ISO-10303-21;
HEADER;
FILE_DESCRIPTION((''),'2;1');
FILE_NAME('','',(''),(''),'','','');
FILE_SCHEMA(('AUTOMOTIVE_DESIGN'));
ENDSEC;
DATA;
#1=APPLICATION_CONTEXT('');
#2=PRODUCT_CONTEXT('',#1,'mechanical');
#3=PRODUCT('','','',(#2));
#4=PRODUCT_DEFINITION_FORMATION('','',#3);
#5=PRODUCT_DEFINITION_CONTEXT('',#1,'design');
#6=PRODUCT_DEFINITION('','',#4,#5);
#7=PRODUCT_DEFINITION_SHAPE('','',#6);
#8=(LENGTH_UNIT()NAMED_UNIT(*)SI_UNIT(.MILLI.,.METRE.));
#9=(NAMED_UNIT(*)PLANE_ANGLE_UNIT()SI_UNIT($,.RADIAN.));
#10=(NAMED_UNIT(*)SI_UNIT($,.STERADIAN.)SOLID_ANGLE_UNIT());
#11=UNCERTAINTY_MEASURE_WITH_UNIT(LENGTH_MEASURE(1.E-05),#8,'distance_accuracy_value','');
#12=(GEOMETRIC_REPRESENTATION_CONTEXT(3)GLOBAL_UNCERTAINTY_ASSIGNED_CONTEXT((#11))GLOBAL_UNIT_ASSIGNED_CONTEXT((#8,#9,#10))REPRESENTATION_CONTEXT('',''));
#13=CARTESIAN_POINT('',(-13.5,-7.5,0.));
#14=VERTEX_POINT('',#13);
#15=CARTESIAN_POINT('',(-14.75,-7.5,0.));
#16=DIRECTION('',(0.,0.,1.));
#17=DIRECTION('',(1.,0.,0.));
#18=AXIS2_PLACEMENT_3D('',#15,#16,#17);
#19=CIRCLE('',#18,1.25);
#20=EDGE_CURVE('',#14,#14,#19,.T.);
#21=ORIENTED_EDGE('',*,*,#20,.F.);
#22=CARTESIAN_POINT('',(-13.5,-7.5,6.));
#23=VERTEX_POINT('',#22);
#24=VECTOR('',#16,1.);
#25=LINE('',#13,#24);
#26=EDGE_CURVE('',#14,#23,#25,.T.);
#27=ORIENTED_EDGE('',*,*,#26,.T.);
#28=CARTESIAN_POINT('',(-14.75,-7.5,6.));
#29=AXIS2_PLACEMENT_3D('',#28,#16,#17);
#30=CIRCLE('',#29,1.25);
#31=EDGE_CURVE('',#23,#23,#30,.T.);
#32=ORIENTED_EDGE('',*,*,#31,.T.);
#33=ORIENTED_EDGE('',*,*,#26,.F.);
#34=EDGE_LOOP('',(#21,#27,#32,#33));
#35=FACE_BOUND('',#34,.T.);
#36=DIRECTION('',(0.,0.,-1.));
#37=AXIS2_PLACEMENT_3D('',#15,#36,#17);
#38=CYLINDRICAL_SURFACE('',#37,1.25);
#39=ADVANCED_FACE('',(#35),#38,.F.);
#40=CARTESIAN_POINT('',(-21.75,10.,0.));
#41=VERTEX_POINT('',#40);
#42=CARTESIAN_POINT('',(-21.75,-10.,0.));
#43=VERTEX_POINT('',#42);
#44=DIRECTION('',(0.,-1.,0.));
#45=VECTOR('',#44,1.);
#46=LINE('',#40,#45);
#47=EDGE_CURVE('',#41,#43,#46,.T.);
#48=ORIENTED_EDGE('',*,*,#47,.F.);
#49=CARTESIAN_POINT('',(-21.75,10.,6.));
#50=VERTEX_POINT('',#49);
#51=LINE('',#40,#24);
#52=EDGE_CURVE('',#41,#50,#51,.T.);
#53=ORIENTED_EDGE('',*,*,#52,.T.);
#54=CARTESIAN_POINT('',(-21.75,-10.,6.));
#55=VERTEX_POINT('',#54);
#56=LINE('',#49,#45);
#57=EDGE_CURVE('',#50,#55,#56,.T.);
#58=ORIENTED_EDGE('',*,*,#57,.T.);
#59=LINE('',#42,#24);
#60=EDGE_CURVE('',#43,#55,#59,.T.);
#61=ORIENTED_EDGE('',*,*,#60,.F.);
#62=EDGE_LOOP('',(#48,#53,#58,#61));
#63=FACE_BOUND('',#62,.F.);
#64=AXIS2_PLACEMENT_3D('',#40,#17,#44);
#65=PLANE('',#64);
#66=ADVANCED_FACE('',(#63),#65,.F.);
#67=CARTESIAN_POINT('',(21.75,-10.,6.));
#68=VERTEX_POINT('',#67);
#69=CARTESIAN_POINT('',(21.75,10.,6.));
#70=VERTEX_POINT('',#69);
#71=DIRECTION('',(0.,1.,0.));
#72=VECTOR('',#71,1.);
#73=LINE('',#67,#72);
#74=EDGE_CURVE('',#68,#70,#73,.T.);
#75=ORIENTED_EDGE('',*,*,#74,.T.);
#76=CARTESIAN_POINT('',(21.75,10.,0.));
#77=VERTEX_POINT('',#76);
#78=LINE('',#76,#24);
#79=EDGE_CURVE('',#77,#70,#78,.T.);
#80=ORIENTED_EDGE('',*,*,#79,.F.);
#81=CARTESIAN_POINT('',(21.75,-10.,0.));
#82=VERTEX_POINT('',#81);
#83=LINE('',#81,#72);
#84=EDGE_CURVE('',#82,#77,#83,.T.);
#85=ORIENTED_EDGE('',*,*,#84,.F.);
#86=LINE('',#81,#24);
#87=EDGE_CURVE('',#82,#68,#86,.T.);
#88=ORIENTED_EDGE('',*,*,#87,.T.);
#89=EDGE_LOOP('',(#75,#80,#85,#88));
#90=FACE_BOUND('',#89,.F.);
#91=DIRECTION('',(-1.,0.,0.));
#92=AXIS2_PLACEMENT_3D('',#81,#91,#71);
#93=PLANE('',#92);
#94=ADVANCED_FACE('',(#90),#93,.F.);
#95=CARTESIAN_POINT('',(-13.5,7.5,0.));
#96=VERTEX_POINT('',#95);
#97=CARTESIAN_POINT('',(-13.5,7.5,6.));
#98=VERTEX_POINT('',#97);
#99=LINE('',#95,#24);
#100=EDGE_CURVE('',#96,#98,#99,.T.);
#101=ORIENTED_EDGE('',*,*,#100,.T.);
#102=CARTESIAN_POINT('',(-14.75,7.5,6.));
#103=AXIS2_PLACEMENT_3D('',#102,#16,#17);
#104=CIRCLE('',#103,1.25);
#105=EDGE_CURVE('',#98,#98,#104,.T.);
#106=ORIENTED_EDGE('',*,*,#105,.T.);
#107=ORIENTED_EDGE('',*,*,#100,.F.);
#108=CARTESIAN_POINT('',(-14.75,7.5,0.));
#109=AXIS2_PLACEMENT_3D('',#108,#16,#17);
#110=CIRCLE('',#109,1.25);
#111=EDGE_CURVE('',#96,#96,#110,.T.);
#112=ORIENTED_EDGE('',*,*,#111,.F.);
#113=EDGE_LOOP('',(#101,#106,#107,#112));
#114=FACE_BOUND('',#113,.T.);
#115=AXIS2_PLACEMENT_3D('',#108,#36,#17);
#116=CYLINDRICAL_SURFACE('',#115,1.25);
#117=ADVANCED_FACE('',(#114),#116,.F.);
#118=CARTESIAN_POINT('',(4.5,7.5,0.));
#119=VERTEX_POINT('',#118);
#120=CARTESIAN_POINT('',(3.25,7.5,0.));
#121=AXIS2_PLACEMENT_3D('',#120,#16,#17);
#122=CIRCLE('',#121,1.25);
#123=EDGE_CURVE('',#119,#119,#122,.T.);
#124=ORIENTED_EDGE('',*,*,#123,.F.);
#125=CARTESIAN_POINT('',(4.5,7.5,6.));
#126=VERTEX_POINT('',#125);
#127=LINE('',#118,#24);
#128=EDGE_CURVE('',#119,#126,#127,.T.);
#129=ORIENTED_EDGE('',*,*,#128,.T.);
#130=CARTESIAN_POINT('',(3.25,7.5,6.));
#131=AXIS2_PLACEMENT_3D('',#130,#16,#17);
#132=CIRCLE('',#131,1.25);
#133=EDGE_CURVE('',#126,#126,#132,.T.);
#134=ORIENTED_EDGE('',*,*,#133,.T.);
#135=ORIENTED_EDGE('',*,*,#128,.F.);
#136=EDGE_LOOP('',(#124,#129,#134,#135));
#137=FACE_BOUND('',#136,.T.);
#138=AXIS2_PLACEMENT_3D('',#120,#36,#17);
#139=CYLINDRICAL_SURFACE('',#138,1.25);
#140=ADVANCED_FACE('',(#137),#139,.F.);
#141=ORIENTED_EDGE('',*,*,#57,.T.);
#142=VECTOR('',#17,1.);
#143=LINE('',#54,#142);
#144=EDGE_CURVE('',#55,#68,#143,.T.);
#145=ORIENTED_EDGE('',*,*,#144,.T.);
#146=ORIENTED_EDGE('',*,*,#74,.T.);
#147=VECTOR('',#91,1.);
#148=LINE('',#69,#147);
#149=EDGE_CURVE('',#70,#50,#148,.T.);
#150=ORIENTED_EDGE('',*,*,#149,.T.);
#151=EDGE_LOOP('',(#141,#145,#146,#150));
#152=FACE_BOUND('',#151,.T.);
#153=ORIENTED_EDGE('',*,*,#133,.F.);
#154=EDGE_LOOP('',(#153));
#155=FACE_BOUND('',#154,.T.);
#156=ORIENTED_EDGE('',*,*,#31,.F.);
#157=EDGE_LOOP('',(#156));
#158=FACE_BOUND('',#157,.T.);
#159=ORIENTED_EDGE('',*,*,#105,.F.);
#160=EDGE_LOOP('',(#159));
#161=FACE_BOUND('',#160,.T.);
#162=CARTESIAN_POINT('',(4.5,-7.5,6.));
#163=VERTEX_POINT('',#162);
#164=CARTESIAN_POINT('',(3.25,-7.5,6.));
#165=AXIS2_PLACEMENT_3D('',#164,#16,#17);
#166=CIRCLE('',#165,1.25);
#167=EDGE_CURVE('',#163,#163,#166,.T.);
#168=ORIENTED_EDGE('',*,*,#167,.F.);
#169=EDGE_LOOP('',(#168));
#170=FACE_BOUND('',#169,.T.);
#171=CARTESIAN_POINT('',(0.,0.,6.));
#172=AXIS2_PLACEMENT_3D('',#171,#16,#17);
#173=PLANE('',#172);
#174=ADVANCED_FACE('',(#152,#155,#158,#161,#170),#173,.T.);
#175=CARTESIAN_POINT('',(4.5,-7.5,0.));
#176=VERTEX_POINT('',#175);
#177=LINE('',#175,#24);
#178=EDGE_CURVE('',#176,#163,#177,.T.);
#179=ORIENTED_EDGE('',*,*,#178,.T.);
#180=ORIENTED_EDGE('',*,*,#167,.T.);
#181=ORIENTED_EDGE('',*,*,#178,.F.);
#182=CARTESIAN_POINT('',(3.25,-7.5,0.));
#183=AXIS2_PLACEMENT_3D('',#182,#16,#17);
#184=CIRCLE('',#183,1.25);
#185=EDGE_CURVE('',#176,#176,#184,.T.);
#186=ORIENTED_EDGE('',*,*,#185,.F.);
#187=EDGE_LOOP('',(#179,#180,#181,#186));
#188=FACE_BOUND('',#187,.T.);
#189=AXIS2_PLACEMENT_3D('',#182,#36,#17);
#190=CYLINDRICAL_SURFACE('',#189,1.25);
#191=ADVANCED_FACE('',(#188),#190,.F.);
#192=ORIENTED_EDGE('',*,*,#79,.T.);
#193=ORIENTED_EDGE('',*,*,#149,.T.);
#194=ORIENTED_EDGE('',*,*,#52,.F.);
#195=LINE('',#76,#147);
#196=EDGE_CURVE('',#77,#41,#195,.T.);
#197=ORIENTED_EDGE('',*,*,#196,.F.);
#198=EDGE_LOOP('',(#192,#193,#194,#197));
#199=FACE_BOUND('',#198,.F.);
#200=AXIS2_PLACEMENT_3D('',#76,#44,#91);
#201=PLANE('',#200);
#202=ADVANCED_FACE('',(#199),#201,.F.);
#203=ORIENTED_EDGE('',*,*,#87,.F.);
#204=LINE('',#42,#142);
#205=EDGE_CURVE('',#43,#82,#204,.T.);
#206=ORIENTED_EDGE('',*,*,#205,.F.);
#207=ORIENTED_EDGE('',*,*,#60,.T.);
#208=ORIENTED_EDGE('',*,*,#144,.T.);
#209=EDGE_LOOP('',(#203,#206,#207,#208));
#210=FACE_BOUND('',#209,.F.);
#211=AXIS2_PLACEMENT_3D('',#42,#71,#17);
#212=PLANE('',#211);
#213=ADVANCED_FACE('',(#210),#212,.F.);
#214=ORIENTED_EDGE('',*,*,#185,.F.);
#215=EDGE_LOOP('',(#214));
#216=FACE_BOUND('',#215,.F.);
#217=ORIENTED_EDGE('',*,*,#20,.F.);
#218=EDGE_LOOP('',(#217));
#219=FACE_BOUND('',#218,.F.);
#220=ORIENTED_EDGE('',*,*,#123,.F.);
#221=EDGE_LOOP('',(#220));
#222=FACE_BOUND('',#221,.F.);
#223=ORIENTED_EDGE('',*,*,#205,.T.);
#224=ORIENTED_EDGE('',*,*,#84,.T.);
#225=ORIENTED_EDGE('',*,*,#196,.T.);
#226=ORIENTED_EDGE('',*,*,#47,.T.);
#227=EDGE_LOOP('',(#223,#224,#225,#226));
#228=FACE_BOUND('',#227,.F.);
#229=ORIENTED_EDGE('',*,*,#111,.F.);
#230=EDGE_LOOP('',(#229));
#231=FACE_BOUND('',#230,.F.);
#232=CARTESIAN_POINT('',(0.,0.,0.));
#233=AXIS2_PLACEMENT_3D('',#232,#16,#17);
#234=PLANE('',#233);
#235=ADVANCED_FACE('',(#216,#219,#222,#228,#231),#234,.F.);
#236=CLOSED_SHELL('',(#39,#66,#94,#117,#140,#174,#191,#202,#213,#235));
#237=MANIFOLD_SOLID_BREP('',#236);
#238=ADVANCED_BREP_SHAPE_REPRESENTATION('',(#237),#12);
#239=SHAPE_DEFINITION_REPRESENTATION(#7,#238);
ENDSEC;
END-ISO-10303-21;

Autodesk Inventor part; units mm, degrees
ref_plane "YZ Plane" through (0, 0, 0) normal (1, 0, 0) x (0, 1, 0)
ref_plane "XZ Plane" through (0, 0, 0) normal (0, 1, 0) x (-1, 0, 0)
ref_plane "XY Plane" through (0, 0, 0) normal (0, 0, 1) x (1, 0, 0)
sketch "스케치1" plane through (0, 0, 0) normal (0, 0, 1) x (1, 0, 0)
  line L0 (-21.75, -10) -> (21.75, -10)
  line L1 (21.75, -10) -> (21.75, 10)
  line L2 (21.75, 10) -> (-21.75, 10)
  line L3 (-21.75, 10) -> (-21.75, -10)
  line L4 (-21.75, -10) -> (21.75, 10) construction
  line L5 (21.75, -10) -> (-21.75, 10) construction
  circle A0 centre (-14.75, -7.5) radius 1.25
  circle A1 centre (3.25, -7.5) radius 1.25
  circle A2 centre (-14.75, 7.5) radius 1.25
  circle A3 centre (3.25, 7.5) radius 1.25
  point P0 (0, 0)
  dimension "d0" = 43.5
  dimension "d1" = 20
  dimension "d4" = 2.5
  dimension "d5" = 2.5
  dimension "d6" = 7
  dimension "d9" = 18
  dimension "d12" = 15
extrude "돌출1" add sketch "스케치1" along normal blind 6
properties part number "dc_convertor"
